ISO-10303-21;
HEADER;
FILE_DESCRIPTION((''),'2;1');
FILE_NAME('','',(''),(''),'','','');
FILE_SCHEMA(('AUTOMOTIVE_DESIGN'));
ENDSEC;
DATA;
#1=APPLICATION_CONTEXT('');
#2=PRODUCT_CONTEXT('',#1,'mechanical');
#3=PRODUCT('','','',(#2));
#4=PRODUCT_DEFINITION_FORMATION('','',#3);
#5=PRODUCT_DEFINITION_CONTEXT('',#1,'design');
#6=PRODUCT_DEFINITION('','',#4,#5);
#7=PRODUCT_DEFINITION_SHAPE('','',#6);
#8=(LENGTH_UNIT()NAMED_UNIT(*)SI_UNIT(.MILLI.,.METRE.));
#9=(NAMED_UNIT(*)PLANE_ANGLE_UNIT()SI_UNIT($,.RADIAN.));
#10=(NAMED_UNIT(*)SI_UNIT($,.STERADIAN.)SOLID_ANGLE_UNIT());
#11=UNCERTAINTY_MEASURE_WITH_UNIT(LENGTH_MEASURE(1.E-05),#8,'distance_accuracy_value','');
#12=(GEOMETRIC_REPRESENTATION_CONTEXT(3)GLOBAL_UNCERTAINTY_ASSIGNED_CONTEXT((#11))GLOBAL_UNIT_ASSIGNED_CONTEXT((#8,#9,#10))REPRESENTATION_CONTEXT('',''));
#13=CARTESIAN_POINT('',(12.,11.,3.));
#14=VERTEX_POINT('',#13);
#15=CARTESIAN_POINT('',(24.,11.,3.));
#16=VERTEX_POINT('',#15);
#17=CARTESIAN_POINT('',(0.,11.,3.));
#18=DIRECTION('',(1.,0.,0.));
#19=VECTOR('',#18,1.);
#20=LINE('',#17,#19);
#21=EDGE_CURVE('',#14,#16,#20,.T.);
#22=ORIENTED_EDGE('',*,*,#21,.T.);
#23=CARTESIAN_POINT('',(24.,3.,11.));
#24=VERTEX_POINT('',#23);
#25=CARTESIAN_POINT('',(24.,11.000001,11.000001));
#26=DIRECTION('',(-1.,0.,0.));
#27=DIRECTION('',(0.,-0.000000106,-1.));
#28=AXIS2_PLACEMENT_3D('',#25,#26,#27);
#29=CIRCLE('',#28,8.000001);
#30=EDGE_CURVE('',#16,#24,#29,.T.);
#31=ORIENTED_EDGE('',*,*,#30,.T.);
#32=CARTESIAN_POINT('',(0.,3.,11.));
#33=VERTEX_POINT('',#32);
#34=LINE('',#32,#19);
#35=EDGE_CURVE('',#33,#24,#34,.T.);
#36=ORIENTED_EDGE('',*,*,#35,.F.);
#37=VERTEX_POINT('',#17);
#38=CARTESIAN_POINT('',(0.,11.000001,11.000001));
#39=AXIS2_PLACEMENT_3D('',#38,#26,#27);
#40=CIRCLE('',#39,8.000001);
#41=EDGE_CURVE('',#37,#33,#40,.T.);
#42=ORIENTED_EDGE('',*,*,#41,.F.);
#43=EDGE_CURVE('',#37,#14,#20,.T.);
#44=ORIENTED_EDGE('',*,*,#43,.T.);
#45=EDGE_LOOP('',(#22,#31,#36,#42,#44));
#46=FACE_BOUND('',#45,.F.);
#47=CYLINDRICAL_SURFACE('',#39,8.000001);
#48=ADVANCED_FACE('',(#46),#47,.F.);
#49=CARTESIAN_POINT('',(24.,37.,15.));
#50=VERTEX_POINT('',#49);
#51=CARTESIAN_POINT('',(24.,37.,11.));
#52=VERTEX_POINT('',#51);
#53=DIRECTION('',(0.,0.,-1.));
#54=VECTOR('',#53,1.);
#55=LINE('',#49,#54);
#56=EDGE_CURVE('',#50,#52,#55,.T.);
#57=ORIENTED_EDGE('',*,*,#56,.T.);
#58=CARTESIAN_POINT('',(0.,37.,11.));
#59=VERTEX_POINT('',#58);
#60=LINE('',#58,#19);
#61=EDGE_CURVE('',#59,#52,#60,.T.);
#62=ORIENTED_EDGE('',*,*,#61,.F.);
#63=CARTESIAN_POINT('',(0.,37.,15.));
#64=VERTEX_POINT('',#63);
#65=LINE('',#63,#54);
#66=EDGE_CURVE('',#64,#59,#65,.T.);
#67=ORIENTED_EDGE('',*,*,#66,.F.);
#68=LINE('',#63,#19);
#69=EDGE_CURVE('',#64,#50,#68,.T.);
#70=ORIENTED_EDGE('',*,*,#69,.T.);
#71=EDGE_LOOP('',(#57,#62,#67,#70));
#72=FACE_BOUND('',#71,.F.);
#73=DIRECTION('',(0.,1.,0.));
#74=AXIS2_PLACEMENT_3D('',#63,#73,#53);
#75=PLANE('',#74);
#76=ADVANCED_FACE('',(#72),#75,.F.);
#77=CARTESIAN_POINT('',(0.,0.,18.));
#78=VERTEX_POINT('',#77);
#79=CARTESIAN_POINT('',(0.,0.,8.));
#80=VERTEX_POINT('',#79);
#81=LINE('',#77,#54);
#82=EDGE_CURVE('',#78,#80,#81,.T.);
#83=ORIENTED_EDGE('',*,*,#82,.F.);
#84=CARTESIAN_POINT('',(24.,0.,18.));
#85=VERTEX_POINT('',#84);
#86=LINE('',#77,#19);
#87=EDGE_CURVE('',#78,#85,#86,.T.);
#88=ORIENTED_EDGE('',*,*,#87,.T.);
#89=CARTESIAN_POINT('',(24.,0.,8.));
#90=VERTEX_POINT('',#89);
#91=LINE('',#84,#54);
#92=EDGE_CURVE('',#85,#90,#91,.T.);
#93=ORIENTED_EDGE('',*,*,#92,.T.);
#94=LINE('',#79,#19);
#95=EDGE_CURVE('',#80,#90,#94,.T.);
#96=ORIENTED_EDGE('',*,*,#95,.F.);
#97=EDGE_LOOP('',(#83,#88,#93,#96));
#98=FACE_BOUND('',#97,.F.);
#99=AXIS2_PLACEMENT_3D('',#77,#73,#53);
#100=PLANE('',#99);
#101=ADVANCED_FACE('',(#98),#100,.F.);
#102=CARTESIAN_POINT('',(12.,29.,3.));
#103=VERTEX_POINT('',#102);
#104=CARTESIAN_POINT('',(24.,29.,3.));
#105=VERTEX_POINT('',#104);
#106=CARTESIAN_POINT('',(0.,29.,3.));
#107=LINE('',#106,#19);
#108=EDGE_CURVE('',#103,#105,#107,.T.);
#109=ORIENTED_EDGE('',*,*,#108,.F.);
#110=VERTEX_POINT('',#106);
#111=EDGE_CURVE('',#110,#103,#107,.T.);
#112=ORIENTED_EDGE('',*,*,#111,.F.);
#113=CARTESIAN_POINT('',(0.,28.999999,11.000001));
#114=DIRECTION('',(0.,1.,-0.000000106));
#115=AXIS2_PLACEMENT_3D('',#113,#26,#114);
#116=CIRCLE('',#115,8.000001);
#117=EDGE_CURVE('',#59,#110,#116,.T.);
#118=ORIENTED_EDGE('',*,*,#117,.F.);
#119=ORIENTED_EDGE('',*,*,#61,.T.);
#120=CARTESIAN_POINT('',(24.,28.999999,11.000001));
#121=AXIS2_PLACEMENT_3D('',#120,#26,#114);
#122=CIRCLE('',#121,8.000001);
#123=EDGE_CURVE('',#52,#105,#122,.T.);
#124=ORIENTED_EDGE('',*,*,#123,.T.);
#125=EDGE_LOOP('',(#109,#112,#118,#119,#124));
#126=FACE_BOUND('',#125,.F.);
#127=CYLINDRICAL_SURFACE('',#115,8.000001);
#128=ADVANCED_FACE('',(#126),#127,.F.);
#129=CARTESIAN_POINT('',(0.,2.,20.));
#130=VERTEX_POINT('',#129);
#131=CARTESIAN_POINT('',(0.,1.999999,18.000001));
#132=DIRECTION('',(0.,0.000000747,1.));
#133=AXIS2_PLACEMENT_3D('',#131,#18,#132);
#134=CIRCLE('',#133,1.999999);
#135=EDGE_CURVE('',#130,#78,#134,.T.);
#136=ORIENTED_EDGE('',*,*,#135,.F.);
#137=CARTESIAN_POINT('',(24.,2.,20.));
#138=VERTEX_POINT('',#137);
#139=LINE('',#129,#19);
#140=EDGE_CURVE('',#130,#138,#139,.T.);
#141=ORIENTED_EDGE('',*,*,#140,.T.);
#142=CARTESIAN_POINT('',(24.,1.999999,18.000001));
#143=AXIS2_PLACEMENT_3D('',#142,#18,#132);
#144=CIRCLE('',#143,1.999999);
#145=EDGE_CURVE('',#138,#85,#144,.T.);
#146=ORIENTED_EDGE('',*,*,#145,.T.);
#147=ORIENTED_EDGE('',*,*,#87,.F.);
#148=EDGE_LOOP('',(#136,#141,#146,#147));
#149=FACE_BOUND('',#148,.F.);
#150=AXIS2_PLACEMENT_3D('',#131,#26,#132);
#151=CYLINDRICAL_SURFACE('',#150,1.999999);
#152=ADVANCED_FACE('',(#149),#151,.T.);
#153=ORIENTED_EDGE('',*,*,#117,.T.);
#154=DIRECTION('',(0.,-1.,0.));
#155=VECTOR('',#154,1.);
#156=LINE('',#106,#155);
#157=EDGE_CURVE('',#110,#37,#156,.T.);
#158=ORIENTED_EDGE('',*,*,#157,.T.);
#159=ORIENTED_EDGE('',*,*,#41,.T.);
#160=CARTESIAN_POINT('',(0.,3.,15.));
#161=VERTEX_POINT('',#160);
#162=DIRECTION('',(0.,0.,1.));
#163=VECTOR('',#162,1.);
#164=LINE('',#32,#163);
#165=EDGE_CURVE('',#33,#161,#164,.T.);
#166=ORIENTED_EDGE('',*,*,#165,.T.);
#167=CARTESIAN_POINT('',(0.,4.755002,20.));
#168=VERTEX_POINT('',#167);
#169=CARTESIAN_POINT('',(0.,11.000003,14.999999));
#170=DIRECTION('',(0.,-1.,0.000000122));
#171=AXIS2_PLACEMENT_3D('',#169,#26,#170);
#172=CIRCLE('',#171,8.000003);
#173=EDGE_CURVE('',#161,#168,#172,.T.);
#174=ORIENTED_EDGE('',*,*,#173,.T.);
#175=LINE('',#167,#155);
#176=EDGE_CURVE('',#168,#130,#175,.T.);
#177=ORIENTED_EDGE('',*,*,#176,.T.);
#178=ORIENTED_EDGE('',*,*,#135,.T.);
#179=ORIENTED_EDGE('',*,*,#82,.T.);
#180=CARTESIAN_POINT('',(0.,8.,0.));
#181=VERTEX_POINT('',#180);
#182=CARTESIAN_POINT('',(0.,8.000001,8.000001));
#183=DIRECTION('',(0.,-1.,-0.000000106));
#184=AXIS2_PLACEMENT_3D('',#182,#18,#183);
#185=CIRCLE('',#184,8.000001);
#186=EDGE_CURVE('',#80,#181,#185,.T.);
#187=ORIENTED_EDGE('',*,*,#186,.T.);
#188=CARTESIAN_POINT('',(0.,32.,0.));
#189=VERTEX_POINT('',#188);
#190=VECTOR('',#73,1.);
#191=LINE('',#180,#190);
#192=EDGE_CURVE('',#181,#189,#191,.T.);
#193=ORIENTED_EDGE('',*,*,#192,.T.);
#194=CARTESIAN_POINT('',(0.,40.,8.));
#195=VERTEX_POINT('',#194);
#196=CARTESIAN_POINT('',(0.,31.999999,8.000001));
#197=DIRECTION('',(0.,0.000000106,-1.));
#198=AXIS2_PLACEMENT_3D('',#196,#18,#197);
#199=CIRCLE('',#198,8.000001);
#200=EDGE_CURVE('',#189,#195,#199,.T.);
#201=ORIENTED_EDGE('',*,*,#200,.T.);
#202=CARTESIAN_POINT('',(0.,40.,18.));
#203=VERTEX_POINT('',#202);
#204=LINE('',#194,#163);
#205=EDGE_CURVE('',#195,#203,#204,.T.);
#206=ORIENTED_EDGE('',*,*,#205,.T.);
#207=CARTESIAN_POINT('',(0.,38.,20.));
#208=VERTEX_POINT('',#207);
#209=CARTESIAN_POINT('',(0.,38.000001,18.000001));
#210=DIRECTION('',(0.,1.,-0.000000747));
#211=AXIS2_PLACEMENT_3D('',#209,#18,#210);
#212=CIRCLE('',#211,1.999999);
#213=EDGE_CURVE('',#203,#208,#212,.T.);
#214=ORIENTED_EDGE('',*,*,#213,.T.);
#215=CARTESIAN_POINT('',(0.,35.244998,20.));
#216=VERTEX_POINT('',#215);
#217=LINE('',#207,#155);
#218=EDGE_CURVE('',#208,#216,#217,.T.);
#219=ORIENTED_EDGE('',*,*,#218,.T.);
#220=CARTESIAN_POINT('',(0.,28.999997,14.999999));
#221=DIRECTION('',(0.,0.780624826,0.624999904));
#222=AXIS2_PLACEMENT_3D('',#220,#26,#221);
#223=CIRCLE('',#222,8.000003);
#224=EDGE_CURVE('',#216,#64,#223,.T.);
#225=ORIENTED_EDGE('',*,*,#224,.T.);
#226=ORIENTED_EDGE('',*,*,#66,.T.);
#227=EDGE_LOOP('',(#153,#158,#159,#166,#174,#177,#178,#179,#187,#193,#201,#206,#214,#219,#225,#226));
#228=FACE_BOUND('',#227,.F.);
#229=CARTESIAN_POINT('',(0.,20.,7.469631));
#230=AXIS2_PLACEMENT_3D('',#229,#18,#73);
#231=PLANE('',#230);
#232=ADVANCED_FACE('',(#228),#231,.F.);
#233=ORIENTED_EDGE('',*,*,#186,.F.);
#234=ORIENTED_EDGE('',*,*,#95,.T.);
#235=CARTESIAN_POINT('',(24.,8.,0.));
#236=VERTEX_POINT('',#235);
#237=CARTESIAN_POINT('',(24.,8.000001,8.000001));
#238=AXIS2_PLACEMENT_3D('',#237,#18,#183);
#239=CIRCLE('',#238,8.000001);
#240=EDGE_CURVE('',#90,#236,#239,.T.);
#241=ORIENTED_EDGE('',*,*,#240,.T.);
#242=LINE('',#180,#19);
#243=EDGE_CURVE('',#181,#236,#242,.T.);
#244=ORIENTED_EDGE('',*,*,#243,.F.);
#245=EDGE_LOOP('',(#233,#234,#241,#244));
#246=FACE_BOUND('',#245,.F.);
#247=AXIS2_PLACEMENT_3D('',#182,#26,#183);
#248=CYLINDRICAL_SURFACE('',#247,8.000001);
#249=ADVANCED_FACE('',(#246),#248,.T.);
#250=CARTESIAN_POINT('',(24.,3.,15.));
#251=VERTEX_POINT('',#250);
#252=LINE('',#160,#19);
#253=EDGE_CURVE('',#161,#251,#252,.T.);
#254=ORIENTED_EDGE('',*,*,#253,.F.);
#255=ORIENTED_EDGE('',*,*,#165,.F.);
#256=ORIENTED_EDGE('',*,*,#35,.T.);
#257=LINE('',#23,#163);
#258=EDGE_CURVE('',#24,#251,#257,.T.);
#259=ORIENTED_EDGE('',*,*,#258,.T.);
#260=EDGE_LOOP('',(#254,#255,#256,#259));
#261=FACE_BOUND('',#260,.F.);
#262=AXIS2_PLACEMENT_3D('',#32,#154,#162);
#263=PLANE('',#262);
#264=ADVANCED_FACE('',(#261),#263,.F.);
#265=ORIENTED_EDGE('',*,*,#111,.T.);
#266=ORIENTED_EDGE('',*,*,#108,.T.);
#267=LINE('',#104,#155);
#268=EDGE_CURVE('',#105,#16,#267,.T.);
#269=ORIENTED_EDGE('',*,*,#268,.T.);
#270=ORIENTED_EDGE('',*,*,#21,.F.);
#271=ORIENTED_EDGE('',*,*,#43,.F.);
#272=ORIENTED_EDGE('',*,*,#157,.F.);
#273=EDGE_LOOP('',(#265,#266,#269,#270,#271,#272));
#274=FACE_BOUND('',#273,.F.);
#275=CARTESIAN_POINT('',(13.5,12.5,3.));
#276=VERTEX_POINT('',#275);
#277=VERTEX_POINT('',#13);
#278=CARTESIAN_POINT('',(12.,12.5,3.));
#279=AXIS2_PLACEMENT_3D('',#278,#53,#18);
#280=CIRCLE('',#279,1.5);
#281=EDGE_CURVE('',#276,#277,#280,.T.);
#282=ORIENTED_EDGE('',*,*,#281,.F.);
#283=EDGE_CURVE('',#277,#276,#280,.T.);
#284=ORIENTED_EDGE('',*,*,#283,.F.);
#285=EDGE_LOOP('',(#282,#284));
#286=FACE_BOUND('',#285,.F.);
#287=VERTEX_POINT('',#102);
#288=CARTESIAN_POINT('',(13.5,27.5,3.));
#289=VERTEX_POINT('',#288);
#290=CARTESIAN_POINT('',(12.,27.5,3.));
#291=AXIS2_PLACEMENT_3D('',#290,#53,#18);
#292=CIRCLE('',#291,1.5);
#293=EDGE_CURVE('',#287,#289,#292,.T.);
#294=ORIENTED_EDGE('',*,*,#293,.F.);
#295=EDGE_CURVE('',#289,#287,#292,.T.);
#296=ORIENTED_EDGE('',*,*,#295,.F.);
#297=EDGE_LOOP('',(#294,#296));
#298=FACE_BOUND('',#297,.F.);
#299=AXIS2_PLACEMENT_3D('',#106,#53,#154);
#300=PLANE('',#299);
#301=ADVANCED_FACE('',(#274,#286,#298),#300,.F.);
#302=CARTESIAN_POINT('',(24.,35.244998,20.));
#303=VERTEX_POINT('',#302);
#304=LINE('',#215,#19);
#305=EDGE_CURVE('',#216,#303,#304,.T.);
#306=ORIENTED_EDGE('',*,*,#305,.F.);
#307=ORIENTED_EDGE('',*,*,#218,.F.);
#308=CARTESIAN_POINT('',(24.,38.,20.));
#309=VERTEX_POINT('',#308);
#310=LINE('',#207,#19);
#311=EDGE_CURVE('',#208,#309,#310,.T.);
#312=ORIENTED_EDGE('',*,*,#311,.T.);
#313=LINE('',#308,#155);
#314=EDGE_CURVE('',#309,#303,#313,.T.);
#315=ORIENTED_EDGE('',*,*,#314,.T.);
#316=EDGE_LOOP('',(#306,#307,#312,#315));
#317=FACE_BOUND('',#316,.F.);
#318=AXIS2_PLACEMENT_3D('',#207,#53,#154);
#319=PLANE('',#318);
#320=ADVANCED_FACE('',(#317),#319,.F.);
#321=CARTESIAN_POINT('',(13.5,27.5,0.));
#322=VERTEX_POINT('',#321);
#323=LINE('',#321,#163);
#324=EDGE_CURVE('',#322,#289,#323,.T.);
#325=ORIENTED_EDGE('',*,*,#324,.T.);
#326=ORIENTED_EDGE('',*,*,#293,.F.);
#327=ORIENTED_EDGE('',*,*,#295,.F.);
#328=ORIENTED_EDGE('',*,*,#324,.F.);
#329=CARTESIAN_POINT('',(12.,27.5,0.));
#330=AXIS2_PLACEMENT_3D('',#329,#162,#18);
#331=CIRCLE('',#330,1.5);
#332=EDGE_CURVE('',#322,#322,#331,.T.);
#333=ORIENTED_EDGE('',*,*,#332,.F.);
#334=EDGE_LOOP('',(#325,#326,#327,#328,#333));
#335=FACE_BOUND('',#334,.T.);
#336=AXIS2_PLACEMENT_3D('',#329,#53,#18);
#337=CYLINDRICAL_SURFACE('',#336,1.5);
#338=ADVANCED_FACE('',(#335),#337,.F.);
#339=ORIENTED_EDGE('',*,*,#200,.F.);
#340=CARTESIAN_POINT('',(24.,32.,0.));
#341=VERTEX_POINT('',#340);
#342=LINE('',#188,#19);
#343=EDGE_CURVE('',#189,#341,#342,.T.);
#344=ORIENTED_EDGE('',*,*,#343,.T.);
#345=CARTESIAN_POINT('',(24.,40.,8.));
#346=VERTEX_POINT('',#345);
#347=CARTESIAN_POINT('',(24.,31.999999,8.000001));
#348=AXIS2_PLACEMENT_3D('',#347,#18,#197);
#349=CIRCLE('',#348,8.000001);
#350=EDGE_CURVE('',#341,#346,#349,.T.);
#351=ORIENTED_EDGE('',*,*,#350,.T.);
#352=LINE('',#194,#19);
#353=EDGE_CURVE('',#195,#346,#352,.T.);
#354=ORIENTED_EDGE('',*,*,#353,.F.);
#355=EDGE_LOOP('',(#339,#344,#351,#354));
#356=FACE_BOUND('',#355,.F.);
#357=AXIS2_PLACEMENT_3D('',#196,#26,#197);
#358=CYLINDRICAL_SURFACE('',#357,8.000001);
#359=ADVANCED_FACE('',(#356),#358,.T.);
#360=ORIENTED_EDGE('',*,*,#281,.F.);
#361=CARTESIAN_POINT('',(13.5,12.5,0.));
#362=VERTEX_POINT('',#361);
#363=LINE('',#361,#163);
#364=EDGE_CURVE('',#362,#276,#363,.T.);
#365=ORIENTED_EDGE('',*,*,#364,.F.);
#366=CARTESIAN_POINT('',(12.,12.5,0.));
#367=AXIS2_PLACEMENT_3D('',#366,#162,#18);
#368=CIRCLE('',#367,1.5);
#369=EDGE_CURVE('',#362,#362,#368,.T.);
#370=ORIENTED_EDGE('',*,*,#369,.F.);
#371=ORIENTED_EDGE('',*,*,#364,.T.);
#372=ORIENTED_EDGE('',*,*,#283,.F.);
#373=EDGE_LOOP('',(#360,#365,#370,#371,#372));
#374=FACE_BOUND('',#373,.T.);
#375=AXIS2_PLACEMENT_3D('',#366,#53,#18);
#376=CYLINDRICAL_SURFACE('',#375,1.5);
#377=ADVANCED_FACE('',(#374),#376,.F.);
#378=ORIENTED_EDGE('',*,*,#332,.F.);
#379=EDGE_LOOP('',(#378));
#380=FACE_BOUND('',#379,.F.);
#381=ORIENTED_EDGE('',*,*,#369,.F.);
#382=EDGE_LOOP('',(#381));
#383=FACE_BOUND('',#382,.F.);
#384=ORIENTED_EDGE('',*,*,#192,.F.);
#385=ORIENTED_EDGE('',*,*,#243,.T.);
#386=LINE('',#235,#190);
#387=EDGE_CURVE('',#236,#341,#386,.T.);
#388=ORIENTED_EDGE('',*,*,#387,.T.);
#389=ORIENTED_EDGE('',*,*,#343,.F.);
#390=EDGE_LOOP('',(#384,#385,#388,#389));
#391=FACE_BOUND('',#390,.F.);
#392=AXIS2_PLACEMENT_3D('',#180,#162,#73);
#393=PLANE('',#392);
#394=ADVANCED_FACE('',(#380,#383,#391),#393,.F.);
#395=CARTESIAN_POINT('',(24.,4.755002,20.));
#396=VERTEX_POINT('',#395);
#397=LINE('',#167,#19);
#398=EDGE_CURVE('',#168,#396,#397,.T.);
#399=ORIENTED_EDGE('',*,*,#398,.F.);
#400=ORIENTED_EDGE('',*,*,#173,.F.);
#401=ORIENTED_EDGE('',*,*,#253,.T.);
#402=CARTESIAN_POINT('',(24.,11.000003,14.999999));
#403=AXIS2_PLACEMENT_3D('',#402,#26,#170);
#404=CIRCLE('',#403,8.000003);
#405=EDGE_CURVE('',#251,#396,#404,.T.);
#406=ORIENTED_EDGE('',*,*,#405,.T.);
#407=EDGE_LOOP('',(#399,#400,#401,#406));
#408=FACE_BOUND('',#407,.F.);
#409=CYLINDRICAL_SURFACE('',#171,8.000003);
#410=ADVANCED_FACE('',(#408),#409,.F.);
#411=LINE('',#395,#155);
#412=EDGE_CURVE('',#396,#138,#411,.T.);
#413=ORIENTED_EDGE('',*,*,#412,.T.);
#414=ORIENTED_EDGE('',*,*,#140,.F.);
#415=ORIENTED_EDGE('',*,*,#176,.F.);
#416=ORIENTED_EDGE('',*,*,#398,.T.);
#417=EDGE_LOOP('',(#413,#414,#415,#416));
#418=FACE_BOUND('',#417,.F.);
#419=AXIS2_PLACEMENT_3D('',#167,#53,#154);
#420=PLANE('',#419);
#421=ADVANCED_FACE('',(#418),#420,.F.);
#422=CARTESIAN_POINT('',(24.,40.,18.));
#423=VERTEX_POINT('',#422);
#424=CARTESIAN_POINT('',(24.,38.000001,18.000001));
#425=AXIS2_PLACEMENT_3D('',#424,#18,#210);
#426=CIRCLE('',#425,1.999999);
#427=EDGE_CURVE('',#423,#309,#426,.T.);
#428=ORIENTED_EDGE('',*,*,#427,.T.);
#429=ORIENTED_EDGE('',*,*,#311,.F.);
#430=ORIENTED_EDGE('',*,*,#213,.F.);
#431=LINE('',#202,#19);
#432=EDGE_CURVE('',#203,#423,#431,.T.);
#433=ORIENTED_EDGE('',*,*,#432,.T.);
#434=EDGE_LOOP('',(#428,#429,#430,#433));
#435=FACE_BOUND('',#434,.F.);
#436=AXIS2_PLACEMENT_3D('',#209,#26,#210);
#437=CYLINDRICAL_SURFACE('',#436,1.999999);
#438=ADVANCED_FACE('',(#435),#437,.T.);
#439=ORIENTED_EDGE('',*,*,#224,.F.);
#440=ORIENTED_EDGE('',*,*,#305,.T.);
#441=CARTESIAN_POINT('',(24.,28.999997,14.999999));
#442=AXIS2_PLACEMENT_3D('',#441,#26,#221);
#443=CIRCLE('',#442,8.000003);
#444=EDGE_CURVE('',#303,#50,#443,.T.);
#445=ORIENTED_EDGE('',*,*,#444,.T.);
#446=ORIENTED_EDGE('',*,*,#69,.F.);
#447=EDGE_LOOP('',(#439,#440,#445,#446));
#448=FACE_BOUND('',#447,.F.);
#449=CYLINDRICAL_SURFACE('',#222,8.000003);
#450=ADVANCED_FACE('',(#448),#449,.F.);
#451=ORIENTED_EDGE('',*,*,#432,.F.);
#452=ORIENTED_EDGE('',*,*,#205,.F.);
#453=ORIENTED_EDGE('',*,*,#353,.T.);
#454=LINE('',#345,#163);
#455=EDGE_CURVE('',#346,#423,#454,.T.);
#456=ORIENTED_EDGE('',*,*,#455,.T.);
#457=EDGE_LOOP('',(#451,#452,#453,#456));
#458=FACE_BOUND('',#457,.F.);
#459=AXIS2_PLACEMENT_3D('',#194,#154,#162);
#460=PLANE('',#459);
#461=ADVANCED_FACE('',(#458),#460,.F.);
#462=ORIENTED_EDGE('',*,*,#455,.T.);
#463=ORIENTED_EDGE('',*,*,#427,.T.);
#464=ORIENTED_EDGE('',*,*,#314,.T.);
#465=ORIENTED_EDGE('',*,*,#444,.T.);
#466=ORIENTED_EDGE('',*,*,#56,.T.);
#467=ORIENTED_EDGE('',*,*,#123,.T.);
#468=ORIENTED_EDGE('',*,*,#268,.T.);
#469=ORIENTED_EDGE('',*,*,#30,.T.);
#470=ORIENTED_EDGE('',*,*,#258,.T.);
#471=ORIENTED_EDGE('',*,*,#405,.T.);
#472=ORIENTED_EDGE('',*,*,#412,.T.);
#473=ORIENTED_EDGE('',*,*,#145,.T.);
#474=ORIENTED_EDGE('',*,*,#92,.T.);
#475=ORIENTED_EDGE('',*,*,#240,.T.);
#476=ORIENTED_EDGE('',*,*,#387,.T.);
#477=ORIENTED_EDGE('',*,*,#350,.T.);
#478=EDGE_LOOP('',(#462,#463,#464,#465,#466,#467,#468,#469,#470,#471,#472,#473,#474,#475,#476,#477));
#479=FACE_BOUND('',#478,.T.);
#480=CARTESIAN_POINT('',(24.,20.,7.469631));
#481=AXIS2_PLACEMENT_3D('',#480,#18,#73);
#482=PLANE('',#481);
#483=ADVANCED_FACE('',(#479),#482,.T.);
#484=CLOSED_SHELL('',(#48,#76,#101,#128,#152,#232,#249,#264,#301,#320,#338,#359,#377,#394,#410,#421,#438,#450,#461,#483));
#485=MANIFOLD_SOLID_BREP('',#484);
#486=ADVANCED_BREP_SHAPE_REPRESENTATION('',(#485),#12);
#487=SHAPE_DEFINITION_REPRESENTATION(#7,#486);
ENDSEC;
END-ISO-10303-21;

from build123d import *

# Parameters (mm, degrees)
F1_DEPTH = 24
F2_R     = 1.5
F3_DEPTH = 5


with BuildPart() as f1:
    # F0 (on Right) → F1 (new body)
    with BuildSketch(Plane.YZ):
        with BuildLine():
            ThreePointArc((0, 8), (2.343146, 2.343146), (8, 0))
            Line((8, 0), (32, 0))
            ThreePointArc((32, 0), (37.656854, 2.343146), (40, 8))
            Line((40, 8), (40, 18))
            ThreePointArc((40, 18), (39.414214, 19.414214), (38, 20))
            Line((38, 20), (35.244998, 20))
            ThreePointArc((35.244998, 20), (36.548509, 17.64953), (37, 15))
            Line((37, 15), (37, 11))
            ThreePointArc((37, 11), (34.656854, 5.343146), (29, 3))
            Line((29, 3), (11, 3))
            ThreePointArc((11, 3), (5.343146, 5.343146), (3, 11))
            Line((3, 11), (3, 15))
            ThreePointArc((3, 15), (3.451491, 17.64953), (4.755002, 20))
            Line((4.755002, 20), (2, 20))
            ThreePointArc((2, 20), (0.585786, 19.414214), (0, 18))
            Line((0, 18), (0, 8))
        make_face()
    extrude(amount=F1_DEPTH)

    # F2 (on Top) → F3 (cut)
    with BuildSketch(Plane.XY):
        with Locations((12, 12.5)):
            Circle(F2_R)
        with Locations((12, 27.5)):
            Circle(F2_R)
    extrude(amount=F3_DEPTH, mode=Mode.SUBTRACT)


solid = f1.part
